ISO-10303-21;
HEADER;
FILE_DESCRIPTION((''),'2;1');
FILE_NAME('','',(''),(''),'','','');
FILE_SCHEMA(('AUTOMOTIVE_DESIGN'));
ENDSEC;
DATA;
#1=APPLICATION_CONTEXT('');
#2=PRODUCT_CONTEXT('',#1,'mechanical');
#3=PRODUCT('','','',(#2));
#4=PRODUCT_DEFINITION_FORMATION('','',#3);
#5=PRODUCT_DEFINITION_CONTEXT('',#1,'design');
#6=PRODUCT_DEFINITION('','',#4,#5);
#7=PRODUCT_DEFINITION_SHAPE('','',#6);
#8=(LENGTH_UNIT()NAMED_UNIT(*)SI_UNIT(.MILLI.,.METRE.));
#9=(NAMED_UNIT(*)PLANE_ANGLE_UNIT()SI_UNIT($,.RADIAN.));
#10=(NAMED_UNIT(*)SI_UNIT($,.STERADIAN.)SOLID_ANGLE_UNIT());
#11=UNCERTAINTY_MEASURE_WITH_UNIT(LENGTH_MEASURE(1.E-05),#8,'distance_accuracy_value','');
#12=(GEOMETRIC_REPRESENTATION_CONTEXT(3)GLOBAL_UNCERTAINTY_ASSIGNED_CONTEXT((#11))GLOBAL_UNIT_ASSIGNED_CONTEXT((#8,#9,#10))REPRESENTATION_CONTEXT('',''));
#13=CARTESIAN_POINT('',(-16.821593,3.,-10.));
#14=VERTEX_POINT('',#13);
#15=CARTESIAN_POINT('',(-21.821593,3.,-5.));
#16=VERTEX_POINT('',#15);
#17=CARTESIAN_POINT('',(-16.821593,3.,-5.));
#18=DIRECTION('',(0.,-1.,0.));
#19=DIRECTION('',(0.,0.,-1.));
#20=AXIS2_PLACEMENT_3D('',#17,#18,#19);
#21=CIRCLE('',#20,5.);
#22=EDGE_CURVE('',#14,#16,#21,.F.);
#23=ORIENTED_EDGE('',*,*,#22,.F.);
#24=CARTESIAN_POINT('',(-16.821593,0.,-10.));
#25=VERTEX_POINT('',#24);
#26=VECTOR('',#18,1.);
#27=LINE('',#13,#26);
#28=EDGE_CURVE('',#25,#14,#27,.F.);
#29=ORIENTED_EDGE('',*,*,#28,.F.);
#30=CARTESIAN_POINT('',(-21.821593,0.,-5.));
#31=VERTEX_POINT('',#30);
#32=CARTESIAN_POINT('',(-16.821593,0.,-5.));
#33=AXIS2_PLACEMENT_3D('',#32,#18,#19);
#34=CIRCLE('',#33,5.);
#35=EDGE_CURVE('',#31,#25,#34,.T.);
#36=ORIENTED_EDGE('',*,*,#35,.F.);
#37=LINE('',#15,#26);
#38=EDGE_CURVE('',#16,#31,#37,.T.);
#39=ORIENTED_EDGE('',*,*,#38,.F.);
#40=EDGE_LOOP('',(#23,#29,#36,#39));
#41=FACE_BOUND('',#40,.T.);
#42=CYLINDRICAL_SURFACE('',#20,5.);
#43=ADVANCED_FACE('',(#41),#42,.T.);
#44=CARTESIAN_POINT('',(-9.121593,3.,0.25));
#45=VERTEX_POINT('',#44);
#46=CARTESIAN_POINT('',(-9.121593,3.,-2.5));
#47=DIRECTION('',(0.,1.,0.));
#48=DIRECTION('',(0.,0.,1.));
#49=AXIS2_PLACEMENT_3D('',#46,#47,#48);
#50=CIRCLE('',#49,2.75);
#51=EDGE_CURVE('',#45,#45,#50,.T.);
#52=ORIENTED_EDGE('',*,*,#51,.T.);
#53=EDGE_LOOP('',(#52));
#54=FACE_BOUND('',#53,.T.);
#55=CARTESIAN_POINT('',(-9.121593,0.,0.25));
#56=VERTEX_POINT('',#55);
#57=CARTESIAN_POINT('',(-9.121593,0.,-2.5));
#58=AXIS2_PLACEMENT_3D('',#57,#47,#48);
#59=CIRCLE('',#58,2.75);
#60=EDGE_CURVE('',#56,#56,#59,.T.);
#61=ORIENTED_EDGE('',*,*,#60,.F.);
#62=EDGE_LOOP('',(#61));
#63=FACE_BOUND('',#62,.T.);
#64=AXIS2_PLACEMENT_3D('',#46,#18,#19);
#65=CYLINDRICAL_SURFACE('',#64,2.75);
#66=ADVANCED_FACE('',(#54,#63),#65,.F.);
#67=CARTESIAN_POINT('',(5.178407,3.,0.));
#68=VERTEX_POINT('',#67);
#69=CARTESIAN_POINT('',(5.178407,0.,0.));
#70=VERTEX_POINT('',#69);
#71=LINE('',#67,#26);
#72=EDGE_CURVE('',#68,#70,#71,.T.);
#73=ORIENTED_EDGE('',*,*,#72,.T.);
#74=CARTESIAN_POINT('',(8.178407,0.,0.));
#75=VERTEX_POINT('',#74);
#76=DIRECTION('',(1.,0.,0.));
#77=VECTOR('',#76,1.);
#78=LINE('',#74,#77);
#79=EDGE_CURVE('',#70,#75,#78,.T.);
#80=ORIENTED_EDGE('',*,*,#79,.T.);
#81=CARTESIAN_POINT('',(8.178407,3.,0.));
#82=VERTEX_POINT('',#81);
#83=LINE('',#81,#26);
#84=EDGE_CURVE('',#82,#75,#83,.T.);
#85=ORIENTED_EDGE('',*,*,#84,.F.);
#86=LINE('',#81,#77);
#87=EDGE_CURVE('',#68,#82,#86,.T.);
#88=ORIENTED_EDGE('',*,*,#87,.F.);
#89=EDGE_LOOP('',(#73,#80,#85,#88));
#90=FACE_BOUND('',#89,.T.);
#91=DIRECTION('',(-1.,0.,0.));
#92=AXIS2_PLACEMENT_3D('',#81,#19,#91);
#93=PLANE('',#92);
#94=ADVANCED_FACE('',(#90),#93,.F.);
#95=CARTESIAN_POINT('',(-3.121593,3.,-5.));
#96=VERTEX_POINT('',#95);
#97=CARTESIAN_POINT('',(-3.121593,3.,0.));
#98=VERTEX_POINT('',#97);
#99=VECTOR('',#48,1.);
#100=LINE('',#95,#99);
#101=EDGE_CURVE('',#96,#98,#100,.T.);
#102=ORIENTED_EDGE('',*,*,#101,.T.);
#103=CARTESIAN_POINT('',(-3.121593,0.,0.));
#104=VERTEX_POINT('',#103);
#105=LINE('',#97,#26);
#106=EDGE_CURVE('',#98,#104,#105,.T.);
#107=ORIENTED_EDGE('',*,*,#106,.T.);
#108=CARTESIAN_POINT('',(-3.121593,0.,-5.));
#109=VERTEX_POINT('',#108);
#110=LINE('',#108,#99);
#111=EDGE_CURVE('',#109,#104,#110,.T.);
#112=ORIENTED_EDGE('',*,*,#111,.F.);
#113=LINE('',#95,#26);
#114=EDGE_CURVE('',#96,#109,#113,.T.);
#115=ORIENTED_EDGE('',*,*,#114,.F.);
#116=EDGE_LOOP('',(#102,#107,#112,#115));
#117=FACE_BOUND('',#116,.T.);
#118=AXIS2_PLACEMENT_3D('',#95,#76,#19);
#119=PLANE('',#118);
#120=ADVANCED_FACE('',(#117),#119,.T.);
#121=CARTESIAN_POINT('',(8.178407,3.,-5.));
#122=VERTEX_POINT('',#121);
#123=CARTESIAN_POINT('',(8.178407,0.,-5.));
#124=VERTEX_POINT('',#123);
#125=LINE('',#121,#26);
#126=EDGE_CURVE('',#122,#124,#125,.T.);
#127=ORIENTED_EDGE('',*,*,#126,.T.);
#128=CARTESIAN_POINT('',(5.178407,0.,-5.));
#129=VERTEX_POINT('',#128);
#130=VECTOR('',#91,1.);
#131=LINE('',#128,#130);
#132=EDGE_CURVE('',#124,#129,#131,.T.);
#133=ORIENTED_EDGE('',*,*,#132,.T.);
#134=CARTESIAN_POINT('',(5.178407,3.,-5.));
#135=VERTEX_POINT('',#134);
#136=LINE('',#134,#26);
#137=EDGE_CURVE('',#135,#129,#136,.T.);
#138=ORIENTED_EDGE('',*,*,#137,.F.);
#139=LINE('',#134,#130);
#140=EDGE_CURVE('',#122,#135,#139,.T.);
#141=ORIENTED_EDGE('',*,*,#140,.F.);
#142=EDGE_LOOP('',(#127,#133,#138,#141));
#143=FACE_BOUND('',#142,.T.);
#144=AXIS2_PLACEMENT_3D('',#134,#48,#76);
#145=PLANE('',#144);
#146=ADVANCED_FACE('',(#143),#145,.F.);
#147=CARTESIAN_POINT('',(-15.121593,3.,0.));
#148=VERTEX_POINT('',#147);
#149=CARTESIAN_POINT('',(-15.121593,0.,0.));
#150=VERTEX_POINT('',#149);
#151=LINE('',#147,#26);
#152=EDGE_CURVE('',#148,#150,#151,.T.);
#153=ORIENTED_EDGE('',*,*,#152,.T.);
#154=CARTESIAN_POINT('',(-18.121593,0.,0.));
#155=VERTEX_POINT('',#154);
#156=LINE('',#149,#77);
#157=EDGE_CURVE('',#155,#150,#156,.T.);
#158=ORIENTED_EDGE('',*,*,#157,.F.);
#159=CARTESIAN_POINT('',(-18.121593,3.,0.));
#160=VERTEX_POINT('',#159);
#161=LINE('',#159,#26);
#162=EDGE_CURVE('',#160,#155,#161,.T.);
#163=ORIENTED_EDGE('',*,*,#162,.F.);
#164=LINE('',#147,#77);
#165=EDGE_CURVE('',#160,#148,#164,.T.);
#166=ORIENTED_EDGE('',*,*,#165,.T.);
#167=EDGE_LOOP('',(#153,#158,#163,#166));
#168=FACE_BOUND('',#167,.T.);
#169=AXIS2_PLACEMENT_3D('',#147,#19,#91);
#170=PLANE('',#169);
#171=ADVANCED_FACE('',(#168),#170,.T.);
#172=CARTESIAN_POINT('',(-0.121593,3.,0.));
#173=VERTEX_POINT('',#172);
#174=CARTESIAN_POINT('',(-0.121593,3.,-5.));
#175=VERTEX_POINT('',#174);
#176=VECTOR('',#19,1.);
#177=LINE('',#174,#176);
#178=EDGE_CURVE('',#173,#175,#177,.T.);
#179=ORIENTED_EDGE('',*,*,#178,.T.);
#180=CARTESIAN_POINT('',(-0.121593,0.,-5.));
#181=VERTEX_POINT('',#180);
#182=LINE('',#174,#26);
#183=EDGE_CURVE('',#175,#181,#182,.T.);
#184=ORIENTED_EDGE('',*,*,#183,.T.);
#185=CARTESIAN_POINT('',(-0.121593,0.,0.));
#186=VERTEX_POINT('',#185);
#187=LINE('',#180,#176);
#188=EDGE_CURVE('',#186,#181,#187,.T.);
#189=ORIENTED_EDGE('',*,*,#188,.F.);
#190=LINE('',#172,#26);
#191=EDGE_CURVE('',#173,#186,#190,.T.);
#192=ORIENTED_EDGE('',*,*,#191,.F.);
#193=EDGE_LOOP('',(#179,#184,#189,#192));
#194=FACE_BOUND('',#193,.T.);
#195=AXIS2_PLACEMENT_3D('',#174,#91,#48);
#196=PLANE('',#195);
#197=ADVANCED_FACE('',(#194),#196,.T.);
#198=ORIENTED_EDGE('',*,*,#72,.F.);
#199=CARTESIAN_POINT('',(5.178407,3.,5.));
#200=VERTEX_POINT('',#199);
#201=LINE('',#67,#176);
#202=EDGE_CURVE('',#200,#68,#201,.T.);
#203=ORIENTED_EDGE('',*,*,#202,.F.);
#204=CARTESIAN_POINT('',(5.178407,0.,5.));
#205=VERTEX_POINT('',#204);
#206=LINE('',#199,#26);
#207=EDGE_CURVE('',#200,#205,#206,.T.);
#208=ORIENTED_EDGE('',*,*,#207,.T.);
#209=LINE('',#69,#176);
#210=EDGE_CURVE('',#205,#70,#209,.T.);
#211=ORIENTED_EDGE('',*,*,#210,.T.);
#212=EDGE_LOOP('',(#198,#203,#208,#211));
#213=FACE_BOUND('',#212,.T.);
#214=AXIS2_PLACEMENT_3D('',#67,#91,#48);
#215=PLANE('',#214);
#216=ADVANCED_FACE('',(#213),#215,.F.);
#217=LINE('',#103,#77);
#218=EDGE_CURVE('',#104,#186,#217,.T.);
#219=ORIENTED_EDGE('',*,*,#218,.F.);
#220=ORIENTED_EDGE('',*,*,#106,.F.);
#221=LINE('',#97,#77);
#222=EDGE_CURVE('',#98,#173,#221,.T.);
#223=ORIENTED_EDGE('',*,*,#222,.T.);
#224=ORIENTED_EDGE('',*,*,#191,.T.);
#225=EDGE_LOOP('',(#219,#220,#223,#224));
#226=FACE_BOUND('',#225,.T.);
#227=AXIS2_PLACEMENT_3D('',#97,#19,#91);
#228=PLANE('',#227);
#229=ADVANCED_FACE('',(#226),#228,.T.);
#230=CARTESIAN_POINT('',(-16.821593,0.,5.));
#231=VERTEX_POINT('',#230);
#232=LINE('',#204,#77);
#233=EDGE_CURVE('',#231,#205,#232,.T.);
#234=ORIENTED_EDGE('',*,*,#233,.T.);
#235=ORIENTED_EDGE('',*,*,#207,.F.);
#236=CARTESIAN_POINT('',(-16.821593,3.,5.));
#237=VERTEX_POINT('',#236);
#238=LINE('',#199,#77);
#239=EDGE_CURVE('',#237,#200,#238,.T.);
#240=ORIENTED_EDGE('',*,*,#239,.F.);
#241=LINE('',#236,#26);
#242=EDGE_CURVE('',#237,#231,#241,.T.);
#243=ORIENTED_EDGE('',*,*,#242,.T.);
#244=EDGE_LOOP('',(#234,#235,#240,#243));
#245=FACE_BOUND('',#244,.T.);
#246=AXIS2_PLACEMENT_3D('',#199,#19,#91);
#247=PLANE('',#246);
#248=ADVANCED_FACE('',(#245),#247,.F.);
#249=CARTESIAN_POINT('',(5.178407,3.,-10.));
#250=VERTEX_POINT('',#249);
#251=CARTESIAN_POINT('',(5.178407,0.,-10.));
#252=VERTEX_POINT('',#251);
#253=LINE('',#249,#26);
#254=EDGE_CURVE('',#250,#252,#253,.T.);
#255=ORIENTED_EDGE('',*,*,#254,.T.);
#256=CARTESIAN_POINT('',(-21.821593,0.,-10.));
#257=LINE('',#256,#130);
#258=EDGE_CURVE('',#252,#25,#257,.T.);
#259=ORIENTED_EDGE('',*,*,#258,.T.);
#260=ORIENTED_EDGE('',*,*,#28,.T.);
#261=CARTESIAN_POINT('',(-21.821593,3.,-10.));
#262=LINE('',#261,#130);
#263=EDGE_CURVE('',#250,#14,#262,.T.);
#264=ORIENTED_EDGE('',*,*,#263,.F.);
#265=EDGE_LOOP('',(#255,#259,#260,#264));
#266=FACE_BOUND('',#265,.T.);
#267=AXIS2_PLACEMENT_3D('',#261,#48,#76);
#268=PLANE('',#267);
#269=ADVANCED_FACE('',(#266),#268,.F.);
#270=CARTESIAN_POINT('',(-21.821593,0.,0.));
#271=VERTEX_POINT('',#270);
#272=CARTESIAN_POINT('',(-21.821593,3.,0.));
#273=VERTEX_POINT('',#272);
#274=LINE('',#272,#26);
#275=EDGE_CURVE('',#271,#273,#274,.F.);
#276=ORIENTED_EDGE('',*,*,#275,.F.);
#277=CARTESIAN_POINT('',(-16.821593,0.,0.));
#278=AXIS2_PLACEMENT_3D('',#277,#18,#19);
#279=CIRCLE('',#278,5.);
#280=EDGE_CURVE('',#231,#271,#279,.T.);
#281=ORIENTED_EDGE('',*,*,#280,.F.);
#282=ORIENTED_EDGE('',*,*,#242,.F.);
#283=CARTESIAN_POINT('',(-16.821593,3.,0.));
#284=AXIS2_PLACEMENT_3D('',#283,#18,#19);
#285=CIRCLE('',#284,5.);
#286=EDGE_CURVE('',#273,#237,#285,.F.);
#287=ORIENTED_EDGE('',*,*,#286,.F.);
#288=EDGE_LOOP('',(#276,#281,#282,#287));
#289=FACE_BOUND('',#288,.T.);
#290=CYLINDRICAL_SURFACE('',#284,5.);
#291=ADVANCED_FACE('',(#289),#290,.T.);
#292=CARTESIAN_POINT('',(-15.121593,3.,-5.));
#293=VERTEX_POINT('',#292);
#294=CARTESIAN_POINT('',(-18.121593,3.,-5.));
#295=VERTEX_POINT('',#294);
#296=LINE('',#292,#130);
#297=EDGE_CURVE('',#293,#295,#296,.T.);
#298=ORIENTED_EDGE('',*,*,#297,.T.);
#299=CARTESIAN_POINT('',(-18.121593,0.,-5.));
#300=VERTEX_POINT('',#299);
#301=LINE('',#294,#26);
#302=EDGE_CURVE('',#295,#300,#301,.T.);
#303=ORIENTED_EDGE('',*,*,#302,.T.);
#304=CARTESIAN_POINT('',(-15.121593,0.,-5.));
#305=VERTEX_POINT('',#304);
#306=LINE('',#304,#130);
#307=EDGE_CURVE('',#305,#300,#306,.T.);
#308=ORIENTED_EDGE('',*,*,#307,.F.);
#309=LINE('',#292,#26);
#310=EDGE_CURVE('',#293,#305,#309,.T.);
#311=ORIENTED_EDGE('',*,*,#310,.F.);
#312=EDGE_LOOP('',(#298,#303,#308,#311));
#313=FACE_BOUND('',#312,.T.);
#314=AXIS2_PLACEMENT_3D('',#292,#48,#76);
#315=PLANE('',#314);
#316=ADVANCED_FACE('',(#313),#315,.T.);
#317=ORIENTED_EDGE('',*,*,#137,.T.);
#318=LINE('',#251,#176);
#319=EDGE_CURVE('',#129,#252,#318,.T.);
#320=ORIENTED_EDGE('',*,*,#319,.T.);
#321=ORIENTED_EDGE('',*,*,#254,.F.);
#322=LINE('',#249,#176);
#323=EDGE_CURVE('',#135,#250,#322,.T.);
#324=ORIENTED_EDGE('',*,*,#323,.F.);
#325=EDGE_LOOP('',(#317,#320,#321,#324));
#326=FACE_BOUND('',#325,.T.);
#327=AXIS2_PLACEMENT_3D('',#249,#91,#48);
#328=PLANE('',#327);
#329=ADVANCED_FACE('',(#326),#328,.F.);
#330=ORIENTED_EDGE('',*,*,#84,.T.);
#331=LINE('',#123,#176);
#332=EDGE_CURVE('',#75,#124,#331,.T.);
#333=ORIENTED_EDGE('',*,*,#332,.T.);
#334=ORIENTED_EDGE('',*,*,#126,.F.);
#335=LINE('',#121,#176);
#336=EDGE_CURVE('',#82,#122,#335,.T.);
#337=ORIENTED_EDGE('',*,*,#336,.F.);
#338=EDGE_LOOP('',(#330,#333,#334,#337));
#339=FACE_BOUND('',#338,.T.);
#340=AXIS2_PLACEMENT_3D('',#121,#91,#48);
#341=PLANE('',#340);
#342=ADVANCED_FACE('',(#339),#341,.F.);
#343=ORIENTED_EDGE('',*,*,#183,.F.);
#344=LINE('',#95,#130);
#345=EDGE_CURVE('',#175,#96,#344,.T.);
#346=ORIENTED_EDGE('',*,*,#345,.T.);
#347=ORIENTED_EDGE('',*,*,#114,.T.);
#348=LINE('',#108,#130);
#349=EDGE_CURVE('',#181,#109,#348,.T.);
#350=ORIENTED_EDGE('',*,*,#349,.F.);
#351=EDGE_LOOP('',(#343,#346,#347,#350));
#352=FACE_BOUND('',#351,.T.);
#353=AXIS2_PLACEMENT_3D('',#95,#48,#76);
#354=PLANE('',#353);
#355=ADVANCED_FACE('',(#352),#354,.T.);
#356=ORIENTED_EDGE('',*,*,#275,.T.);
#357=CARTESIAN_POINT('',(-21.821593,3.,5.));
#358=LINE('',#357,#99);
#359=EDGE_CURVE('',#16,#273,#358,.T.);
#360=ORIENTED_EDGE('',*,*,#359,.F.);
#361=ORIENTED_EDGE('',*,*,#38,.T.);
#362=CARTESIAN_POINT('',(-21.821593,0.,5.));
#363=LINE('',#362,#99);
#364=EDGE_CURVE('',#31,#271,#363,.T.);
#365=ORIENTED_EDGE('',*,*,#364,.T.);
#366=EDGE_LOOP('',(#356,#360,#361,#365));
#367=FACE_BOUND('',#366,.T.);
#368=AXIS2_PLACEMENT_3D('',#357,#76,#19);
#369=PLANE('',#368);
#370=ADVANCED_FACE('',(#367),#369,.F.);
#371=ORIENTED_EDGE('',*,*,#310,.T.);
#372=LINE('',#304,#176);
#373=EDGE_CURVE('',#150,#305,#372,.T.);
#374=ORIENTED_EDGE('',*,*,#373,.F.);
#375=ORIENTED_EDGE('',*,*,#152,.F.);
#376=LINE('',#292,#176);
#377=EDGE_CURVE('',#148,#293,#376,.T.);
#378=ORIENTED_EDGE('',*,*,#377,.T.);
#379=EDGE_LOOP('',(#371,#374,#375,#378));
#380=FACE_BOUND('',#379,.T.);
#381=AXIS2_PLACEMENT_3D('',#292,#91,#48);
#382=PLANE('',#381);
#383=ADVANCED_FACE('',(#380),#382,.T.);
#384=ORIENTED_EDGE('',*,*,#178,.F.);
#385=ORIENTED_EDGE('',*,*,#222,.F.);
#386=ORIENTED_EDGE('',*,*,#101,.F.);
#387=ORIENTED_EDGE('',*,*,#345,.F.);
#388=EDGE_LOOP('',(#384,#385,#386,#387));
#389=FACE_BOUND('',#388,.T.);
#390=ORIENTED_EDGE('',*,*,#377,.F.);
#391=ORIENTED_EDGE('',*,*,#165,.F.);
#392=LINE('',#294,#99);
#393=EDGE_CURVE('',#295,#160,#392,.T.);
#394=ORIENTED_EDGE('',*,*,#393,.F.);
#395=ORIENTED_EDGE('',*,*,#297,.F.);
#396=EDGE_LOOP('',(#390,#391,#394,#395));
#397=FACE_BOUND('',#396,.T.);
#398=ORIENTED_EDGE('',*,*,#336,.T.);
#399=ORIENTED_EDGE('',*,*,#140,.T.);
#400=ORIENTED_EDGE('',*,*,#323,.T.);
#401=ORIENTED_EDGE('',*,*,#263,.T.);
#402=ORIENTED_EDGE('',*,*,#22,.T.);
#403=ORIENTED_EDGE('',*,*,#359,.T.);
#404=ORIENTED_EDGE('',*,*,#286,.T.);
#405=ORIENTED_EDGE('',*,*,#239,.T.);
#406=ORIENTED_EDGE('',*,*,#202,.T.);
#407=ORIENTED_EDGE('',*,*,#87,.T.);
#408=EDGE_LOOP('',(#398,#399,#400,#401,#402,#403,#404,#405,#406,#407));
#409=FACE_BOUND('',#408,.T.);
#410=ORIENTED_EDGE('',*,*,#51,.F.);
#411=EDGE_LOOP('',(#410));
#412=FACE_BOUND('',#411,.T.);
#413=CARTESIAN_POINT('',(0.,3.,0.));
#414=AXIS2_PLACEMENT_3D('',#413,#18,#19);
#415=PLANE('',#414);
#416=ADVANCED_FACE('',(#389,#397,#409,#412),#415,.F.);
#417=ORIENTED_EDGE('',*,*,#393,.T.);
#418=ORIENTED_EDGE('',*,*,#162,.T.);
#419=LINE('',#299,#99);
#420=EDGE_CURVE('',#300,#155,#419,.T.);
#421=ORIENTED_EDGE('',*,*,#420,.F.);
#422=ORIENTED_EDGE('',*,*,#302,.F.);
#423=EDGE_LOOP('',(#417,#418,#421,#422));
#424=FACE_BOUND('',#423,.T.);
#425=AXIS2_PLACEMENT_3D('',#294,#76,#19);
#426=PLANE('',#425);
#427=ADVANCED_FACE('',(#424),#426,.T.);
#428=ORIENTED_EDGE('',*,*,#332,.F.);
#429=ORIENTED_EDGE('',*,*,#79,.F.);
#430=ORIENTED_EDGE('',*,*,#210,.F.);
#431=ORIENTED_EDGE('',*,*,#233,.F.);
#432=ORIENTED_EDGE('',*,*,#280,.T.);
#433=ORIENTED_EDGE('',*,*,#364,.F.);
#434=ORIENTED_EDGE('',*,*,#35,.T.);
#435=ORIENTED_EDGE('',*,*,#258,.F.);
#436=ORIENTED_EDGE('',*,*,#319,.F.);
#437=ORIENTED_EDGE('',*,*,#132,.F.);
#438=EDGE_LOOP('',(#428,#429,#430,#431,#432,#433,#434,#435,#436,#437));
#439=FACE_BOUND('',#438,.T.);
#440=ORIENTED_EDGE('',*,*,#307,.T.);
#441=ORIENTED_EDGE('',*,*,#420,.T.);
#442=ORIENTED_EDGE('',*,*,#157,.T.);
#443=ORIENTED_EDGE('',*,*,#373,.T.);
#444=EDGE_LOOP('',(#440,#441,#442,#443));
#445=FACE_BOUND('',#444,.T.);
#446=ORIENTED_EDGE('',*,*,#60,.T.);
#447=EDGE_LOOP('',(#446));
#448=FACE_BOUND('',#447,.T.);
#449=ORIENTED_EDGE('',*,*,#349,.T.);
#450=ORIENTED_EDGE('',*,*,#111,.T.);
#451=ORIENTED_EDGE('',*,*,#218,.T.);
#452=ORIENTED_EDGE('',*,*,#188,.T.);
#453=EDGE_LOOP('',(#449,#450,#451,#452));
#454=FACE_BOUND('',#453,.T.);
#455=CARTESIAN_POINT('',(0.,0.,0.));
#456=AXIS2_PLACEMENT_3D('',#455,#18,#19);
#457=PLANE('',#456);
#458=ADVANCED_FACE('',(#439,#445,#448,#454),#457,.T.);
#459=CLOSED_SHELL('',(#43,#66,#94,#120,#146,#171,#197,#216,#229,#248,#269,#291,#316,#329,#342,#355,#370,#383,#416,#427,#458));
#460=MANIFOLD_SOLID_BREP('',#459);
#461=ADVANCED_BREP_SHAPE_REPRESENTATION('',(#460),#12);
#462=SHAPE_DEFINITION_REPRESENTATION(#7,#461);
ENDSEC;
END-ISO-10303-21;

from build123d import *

# Parameters (mm, degrees)
SKETCH1_R           = 2.75
SKETCH1_W           = 3
SKETCH1_H           = 5
BOSS_EXTRUDE1_DEPTH = 3
FILLET1_R           = 5


with BuildPart() as part:
    # Sketch1 → Boss-Extrude1 (new body)
    with BuildSketch(Plane(origin=(0, 0, 0), x_dir=(1, 0, 0), z_dir=(0, 1, 0))):
        Polygon((-21.821592901, -5), (-21.821592901, 10), (5.178407099, 10), (5.178407099, 5), (8.178407099, 5), (8.178407099, 0), (5.178407099, 0), (5.178407099, -5), align=None)
        with Locations((-9.121592901, 2.5)):
            Circle(SKETCH1_R, mode=Mode.SUBTRACT)
        with Locations((-16.621592901, 2.5)):
            Rectangle(SKETCH1_W, SKETCH1_H, mode=Mode.SUBTRACT)
        with Locations((-1.621592901, 2.5)):
            Rectangle(SKETCH1_W, SKETCH1_H, mode=Mode.SUBTRACT)
    extrude(amount=BOSS_EXTRUDE1_DEPTH)

    # Fillet1
    fillet1_edges = [part.edges().sort_by_distance(p)[0] for p in [
        (-21.821592901, 1.5, 5),
        (-21.821592901, 1.5, -10),
    ]]
    fillet(fillet1_edges, radius=FILLET1_R)


solid = part.part
